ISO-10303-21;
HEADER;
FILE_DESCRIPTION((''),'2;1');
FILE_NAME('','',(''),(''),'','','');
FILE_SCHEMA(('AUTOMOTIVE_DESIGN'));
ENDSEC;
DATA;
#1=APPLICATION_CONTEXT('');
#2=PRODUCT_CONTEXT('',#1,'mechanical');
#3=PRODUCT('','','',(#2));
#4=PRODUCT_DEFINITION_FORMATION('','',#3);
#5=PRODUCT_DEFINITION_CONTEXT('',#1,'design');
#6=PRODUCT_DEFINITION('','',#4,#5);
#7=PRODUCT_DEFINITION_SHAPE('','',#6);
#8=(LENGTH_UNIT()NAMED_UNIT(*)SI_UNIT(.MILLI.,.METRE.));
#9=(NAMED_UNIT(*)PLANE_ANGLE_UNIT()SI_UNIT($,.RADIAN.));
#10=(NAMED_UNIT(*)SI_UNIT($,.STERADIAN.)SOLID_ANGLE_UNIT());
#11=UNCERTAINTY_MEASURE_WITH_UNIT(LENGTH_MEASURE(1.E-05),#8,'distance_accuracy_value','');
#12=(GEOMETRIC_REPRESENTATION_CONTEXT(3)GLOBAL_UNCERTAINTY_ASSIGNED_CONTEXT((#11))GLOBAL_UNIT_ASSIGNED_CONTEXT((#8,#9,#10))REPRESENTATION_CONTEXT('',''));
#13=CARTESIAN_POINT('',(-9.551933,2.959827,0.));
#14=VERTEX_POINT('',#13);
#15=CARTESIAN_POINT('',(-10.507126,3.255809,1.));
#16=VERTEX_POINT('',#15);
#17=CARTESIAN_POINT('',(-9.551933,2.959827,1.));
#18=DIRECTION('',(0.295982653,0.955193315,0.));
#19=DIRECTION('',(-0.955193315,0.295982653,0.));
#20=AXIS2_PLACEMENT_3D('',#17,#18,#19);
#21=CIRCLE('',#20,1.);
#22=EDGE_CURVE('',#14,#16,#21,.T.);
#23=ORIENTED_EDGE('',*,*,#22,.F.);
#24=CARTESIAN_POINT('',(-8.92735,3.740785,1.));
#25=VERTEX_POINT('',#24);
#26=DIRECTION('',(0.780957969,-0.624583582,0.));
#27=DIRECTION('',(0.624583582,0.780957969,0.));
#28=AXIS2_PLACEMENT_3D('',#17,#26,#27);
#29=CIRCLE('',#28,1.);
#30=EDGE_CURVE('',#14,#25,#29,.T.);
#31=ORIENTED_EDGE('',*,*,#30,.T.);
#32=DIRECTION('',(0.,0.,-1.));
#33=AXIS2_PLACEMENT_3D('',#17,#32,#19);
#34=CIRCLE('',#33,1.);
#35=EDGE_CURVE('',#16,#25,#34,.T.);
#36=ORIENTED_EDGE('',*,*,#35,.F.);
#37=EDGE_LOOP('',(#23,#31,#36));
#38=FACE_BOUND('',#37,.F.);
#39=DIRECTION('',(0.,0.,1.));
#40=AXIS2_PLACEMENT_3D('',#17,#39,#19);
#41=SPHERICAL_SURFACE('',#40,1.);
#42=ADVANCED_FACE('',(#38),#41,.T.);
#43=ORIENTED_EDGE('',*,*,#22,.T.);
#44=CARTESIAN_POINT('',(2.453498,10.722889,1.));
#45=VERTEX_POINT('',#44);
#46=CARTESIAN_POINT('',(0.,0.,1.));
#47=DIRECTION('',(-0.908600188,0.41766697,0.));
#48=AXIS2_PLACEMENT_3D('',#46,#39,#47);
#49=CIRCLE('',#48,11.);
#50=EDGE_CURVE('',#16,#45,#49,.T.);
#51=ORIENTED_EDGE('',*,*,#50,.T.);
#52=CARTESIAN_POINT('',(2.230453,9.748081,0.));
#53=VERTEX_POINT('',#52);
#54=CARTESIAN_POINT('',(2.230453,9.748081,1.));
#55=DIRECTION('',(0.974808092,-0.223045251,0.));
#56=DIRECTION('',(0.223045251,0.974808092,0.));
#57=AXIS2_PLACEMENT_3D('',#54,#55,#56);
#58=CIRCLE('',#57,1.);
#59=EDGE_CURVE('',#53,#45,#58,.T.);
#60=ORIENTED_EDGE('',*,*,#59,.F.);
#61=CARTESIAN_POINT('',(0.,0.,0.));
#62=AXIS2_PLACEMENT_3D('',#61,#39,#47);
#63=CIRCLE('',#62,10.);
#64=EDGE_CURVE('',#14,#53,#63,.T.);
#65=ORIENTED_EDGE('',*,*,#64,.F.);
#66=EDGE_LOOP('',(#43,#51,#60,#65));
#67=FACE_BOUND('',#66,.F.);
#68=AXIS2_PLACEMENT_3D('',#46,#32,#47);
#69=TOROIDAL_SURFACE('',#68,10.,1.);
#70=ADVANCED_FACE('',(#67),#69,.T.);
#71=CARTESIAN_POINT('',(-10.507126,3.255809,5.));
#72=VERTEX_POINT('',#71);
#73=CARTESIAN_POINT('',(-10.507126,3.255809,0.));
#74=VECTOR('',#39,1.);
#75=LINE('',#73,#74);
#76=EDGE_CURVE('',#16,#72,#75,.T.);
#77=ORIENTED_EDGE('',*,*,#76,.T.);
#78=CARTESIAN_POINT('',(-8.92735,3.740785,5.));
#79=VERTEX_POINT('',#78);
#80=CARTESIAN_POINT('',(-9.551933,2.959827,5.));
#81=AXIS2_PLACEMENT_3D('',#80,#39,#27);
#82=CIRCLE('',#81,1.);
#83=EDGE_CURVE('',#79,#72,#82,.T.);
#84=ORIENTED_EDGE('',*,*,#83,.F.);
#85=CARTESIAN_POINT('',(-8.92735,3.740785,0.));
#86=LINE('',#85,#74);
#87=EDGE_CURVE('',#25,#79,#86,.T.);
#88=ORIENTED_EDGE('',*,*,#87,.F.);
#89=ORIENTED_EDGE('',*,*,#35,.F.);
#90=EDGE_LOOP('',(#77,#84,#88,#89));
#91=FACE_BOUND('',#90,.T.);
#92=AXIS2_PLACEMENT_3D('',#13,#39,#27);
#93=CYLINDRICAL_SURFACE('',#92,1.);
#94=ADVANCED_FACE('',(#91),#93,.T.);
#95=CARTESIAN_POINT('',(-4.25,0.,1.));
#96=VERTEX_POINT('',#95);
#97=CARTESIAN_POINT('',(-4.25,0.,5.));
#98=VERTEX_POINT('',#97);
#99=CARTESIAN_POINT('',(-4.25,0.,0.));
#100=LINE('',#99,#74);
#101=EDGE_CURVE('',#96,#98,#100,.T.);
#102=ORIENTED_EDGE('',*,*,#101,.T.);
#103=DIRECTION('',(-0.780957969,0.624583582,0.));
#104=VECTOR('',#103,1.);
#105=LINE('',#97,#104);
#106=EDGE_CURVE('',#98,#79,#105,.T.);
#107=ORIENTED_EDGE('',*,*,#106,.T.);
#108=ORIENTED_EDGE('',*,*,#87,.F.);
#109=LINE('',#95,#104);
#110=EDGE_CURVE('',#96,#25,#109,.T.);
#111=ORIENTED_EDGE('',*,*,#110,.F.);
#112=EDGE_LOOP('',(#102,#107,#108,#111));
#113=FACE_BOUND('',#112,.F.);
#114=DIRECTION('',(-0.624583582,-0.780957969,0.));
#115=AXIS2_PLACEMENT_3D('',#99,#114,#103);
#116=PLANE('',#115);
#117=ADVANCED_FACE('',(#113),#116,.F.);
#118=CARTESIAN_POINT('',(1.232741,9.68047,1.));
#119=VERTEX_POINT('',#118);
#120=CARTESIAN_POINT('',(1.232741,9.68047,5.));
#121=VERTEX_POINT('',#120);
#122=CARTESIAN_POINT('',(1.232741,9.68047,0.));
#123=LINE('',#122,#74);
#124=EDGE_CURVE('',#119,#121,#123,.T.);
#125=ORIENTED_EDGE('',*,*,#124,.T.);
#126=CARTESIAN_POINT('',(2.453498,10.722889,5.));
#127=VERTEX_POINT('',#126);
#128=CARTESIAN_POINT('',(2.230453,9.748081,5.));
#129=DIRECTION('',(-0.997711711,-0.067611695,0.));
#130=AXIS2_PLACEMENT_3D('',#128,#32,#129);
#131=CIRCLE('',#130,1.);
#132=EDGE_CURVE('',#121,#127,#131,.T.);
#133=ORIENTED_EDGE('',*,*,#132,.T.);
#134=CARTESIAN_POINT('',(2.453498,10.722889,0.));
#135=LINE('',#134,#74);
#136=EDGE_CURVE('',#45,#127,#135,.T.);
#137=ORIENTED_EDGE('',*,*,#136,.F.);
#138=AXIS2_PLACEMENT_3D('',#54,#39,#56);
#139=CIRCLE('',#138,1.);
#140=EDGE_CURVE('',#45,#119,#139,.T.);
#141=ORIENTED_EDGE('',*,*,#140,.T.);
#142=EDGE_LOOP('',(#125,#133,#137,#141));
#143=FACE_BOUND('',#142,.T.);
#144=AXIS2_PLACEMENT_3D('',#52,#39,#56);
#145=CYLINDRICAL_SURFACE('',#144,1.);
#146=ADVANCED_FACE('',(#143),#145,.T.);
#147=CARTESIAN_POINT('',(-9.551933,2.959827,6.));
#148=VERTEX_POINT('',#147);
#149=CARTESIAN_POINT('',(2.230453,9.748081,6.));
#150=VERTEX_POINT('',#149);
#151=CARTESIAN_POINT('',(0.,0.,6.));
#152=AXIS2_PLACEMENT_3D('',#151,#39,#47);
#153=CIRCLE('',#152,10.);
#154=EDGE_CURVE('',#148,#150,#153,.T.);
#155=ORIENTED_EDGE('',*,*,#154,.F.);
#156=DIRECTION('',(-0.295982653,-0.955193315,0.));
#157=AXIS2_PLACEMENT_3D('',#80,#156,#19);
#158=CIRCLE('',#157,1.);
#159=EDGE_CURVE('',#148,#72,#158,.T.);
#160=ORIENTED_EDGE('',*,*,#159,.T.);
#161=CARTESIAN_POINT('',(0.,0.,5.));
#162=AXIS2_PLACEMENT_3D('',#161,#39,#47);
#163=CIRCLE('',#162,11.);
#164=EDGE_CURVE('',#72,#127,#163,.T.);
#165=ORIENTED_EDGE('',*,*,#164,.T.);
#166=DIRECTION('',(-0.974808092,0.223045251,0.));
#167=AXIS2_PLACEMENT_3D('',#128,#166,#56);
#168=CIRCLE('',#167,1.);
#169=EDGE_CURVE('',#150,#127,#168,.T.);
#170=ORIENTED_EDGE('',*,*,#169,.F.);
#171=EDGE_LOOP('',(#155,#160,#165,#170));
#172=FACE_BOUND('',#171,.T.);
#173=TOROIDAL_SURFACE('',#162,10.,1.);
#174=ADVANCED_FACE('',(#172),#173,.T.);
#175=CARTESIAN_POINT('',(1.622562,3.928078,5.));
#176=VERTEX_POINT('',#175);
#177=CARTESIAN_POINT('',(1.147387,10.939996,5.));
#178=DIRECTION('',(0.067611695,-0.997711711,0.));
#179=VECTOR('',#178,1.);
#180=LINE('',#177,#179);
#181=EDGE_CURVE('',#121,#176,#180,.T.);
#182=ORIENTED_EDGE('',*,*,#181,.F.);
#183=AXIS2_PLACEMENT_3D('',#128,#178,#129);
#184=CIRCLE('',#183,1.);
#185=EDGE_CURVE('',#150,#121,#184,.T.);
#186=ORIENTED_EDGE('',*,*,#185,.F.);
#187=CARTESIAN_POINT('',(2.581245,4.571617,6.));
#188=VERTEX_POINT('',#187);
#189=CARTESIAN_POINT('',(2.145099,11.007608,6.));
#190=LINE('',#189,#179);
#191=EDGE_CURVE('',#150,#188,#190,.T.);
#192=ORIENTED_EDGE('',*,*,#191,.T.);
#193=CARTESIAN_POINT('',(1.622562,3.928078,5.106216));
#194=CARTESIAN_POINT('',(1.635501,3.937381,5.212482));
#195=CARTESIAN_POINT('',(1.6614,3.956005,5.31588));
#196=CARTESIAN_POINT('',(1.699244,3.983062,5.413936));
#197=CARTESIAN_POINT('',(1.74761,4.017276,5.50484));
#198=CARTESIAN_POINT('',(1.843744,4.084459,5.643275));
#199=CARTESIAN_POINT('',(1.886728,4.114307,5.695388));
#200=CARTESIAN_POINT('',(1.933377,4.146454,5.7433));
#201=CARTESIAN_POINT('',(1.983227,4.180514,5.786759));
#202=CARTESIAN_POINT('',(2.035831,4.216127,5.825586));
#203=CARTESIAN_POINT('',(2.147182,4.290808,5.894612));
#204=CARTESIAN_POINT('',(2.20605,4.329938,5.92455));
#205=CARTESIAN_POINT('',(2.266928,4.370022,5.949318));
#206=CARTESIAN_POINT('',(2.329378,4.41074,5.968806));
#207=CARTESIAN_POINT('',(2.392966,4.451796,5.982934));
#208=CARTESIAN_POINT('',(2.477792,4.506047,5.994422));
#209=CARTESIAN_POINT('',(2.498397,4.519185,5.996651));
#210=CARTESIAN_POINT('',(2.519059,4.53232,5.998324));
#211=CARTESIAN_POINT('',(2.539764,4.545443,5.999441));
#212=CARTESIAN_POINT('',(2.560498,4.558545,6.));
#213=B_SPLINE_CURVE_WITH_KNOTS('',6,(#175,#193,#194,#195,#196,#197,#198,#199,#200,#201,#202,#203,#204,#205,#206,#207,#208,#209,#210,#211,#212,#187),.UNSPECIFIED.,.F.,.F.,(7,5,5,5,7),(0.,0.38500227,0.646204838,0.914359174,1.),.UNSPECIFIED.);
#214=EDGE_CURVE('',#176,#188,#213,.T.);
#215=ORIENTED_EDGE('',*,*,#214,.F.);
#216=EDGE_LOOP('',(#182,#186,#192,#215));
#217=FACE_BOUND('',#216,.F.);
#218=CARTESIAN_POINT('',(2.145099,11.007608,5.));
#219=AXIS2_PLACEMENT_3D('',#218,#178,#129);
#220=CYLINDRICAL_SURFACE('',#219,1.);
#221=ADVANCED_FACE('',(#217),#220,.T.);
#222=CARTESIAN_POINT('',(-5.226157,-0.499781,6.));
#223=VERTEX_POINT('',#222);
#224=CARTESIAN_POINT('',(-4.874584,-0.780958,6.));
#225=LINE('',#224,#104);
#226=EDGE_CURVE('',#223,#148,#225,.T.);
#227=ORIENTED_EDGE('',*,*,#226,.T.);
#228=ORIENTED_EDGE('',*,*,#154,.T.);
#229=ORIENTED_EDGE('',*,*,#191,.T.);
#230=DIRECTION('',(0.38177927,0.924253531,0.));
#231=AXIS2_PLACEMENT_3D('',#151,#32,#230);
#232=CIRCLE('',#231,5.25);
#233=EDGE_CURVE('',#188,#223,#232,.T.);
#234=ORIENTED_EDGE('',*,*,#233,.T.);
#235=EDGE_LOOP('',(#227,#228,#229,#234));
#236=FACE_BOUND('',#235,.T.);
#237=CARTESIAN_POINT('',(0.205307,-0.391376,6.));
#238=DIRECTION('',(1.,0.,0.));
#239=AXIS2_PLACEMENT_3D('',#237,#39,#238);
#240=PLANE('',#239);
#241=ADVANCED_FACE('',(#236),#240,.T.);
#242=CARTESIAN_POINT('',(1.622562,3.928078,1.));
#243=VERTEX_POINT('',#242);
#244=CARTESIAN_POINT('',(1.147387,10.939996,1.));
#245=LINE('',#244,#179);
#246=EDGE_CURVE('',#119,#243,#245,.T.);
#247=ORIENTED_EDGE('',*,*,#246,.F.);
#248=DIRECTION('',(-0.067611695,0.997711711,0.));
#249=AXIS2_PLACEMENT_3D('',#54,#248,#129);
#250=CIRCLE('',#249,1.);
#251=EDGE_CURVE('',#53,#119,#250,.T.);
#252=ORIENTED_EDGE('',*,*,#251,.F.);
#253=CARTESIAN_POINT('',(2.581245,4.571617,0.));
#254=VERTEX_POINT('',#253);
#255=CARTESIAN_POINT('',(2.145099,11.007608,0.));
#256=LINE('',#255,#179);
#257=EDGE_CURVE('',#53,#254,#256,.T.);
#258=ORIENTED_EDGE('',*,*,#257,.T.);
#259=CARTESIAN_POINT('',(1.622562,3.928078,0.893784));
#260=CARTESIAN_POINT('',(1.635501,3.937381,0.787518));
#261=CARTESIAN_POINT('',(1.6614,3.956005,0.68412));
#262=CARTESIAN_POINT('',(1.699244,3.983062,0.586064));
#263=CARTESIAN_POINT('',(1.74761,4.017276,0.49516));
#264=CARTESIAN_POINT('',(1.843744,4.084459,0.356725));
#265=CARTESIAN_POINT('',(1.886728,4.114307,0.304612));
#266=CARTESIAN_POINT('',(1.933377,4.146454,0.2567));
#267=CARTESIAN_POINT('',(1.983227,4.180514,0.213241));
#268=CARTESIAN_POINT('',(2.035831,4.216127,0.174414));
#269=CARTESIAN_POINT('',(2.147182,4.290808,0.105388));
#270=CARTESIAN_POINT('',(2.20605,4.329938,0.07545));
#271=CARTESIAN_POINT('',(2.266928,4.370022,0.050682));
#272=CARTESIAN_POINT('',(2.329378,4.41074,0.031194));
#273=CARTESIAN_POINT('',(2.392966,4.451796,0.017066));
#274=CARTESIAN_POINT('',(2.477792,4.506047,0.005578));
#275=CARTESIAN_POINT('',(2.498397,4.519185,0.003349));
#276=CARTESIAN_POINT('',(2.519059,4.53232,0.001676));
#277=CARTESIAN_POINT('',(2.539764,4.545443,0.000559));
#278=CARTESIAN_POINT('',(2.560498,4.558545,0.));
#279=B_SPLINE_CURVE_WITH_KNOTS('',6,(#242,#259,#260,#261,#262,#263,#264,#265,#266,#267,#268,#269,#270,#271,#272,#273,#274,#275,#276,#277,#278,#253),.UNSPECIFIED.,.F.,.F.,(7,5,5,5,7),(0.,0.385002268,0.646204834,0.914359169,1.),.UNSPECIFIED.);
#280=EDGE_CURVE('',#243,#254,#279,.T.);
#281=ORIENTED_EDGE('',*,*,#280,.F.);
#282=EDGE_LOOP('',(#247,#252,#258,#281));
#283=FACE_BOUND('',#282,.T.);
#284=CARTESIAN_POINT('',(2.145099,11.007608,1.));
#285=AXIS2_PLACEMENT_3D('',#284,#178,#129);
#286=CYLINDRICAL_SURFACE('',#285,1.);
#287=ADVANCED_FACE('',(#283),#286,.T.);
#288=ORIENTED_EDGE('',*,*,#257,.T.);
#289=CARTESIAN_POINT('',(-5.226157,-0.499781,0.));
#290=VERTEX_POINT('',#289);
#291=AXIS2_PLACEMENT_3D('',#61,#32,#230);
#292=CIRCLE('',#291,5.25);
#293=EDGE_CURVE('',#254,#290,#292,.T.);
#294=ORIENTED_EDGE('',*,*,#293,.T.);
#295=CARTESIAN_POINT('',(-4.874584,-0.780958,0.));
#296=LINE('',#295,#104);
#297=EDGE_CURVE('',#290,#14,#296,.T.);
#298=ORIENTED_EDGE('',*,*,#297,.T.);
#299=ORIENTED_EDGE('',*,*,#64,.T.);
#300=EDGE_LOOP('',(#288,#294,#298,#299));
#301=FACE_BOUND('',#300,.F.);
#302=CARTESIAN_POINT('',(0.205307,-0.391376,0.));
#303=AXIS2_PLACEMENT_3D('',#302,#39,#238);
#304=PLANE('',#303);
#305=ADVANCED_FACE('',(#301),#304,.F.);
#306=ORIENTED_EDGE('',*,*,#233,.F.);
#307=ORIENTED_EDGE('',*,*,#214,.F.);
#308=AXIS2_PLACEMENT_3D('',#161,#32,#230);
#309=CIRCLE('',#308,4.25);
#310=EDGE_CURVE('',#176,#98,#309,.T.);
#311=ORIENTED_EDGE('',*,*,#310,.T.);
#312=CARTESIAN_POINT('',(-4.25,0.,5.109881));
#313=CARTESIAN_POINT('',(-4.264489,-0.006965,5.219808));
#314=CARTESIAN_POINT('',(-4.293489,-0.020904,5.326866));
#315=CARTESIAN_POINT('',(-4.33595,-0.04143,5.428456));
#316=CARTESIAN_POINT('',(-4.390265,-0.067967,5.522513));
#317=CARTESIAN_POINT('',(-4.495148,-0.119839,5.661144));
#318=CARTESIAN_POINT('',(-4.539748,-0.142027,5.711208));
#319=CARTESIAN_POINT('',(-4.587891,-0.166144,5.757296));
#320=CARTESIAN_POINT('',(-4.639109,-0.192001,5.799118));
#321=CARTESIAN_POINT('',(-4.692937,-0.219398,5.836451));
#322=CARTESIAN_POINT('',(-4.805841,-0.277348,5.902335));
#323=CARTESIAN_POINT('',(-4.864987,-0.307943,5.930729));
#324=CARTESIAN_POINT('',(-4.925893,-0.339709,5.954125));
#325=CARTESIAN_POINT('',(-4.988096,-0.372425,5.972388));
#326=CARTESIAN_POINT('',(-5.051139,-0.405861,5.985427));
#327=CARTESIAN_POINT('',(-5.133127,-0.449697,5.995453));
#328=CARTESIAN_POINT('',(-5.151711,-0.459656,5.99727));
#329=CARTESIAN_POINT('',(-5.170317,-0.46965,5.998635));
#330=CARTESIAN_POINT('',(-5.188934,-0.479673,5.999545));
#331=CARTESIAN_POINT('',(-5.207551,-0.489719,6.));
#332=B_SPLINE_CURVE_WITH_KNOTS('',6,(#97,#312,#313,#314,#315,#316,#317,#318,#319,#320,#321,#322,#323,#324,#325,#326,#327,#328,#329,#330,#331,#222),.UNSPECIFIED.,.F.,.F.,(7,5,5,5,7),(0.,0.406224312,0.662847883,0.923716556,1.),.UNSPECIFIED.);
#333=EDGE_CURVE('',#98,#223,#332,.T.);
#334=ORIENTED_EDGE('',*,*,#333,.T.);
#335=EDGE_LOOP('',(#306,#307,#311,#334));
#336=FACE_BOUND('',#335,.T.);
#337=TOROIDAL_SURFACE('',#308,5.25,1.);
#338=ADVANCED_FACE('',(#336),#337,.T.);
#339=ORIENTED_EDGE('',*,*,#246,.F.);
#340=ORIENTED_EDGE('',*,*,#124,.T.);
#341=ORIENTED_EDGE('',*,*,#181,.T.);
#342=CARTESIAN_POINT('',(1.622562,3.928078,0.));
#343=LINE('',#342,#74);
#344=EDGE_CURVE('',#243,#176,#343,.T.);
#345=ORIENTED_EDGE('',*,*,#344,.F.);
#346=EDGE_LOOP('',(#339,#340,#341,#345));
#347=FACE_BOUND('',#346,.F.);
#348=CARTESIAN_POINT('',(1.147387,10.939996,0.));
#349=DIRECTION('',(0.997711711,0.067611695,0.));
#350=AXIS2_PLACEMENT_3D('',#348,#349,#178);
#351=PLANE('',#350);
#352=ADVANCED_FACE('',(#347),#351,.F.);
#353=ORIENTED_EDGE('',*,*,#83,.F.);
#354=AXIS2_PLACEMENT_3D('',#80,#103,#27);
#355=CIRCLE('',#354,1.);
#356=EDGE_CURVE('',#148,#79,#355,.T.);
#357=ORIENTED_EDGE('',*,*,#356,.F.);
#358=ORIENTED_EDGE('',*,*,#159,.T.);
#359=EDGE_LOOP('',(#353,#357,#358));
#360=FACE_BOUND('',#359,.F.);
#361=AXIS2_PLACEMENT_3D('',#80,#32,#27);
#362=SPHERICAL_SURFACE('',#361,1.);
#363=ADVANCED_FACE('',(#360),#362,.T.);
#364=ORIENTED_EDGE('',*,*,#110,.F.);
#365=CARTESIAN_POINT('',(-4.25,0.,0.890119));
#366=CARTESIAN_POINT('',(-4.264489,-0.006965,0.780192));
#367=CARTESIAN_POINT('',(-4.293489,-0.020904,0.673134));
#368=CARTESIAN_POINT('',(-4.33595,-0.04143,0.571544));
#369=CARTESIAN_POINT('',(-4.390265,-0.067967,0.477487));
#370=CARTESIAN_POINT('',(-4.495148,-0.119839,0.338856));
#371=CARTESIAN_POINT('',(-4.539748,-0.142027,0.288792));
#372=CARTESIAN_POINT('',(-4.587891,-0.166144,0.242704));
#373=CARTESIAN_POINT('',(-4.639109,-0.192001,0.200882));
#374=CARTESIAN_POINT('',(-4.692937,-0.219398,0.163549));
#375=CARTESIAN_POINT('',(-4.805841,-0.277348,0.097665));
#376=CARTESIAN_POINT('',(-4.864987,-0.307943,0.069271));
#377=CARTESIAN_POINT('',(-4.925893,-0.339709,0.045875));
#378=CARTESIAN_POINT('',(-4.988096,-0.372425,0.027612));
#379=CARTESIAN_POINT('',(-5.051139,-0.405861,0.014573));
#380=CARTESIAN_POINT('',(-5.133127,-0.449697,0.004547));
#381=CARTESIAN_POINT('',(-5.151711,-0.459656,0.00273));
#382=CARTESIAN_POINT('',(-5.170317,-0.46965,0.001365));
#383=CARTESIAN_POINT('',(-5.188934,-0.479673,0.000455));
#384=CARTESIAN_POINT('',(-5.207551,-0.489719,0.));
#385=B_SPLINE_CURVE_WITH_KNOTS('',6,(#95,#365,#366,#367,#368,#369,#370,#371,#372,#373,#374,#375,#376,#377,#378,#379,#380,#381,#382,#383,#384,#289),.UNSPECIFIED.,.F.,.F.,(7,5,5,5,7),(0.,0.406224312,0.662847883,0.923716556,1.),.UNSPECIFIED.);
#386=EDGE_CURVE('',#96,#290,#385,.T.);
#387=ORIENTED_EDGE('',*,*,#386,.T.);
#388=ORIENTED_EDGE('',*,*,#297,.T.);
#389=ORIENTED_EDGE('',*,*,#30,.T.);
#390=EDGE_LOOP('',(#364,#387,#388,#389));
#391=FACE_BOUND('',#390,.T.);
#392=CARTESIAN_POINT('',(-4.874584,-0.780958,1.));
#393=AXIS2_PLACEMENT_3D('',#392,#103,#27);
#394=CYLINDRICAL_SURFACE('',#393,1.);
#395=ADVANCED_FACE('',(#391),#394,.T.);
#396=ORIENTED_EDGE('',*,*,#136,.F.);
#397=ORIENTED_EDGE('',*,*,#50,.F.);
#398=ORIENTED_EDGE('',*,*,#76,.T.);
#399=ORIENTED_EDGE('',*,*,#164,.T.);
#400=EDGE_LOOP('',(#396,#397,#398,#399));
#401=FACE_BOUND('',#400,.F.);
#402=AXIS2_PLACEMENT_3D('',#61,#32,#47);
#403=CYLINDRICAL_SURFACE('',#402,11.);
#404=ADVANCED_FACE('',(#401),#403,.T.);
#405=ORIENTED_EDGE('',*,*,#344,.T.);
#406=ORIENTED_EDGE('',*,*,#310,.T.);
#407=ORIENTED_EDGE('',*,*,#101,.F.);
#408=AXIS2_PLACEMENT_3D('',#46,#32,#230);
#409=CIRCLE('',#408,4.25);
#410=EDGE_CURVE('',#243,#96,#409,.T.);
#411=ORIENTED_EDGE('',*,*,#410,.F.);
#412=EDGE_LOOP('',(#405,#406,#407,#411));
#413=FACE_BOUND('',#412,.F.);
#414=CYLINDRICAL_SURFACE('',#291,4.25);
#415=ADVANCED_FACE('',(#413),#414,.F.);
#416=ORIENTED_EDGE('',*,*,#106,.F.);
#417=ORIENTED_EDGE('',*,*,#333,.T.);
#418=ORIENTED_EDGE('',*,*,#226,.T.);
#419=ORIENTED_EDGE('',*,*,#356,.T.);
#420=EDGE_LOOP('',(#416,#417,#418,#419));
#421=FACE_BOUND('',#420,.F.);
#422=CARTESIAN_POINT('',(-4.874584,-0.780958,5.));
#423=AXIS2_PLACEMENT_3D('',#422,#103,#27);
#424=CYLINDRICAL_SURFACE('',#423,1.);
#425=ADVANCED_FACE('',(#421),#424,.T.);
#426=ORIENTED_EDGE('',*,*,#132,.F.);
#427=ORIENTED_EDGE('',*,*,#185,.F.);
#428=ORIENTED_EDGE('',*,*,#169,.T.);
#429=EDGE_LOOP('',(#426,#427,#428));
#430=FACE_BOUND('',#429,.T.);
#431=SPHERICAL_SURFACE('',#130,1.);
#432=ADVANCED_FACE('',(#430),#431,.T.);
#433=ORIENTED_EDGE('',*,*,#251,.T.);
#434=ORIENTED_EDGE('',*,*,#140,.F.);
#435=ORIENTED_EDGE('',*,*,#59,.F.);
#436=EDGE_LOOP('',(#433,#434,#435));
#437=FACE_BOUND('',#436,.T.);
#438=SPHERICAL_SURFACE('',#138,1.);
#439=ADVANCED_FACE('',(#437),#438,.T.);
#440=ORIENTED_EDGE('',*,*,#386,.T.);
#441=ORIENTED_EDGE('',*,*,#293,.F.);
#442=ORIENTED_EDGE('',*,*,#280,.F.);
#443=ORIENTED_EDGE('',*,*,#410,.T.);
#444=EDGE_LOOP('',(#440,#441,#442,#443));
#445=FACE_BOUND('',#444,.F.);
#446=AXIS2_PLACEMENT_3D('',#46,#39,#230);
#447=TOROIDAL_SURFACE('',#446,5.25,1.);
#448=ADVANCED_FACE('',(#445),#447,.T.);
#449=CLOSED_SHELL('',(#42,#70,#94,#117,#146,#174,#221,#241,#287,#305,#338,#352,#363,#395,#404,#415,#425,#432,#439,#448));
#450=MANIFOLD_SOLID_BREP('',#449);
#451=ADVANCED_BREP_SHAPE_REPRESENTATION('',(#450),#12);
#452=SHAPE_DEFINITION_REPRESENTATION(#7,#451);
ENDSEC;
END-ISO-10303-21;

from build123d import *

# Parameters (mm, degrees)
F1_DEPTH = 6
F2_R     = 1


with BuildPart() as f1:
    # F0 (on Top) → F1 (new body)
    with BuildSketch(Plane.XY):
        with BuildLine():
            Line((-4.25, 0), (-9.994602, 4.594337))
            ThreePointArc((-9.994602, 4.594337), (5.443818, -9.558496), (1.147387, 10.939996))
            Line((1.147387, 10.939996), (1.622562, 3.928078))
            ThreePointArc((1.622562, 3.928078), (2.362902, -3.53259), (-4.25, 0))
        make_face()
    extrude(amount=F1_DEPTH)

    # F2
    f2_edges = [f1.edges().sort_by_distance(p)[0] for p in [
        (5.443818, -9.558496, 6),
        (2.362902, -3.53259, 6),
        (2.362902, -3.53259, 0),
        (5.443818, -9.558496, 0),
        (-7.122301, 2.297168, 0),
        (-9.994602, 4.594337, 3),
        (-7.122301, 2.297168, 6),
        (1.384974, 7.434037, 0),
        (1.147387, 10.939996, 3),
        (1.384974, 7.434037, 6),
    ]]
    fillet(f2_edges, radius=F2_R)


solid = f1.part
